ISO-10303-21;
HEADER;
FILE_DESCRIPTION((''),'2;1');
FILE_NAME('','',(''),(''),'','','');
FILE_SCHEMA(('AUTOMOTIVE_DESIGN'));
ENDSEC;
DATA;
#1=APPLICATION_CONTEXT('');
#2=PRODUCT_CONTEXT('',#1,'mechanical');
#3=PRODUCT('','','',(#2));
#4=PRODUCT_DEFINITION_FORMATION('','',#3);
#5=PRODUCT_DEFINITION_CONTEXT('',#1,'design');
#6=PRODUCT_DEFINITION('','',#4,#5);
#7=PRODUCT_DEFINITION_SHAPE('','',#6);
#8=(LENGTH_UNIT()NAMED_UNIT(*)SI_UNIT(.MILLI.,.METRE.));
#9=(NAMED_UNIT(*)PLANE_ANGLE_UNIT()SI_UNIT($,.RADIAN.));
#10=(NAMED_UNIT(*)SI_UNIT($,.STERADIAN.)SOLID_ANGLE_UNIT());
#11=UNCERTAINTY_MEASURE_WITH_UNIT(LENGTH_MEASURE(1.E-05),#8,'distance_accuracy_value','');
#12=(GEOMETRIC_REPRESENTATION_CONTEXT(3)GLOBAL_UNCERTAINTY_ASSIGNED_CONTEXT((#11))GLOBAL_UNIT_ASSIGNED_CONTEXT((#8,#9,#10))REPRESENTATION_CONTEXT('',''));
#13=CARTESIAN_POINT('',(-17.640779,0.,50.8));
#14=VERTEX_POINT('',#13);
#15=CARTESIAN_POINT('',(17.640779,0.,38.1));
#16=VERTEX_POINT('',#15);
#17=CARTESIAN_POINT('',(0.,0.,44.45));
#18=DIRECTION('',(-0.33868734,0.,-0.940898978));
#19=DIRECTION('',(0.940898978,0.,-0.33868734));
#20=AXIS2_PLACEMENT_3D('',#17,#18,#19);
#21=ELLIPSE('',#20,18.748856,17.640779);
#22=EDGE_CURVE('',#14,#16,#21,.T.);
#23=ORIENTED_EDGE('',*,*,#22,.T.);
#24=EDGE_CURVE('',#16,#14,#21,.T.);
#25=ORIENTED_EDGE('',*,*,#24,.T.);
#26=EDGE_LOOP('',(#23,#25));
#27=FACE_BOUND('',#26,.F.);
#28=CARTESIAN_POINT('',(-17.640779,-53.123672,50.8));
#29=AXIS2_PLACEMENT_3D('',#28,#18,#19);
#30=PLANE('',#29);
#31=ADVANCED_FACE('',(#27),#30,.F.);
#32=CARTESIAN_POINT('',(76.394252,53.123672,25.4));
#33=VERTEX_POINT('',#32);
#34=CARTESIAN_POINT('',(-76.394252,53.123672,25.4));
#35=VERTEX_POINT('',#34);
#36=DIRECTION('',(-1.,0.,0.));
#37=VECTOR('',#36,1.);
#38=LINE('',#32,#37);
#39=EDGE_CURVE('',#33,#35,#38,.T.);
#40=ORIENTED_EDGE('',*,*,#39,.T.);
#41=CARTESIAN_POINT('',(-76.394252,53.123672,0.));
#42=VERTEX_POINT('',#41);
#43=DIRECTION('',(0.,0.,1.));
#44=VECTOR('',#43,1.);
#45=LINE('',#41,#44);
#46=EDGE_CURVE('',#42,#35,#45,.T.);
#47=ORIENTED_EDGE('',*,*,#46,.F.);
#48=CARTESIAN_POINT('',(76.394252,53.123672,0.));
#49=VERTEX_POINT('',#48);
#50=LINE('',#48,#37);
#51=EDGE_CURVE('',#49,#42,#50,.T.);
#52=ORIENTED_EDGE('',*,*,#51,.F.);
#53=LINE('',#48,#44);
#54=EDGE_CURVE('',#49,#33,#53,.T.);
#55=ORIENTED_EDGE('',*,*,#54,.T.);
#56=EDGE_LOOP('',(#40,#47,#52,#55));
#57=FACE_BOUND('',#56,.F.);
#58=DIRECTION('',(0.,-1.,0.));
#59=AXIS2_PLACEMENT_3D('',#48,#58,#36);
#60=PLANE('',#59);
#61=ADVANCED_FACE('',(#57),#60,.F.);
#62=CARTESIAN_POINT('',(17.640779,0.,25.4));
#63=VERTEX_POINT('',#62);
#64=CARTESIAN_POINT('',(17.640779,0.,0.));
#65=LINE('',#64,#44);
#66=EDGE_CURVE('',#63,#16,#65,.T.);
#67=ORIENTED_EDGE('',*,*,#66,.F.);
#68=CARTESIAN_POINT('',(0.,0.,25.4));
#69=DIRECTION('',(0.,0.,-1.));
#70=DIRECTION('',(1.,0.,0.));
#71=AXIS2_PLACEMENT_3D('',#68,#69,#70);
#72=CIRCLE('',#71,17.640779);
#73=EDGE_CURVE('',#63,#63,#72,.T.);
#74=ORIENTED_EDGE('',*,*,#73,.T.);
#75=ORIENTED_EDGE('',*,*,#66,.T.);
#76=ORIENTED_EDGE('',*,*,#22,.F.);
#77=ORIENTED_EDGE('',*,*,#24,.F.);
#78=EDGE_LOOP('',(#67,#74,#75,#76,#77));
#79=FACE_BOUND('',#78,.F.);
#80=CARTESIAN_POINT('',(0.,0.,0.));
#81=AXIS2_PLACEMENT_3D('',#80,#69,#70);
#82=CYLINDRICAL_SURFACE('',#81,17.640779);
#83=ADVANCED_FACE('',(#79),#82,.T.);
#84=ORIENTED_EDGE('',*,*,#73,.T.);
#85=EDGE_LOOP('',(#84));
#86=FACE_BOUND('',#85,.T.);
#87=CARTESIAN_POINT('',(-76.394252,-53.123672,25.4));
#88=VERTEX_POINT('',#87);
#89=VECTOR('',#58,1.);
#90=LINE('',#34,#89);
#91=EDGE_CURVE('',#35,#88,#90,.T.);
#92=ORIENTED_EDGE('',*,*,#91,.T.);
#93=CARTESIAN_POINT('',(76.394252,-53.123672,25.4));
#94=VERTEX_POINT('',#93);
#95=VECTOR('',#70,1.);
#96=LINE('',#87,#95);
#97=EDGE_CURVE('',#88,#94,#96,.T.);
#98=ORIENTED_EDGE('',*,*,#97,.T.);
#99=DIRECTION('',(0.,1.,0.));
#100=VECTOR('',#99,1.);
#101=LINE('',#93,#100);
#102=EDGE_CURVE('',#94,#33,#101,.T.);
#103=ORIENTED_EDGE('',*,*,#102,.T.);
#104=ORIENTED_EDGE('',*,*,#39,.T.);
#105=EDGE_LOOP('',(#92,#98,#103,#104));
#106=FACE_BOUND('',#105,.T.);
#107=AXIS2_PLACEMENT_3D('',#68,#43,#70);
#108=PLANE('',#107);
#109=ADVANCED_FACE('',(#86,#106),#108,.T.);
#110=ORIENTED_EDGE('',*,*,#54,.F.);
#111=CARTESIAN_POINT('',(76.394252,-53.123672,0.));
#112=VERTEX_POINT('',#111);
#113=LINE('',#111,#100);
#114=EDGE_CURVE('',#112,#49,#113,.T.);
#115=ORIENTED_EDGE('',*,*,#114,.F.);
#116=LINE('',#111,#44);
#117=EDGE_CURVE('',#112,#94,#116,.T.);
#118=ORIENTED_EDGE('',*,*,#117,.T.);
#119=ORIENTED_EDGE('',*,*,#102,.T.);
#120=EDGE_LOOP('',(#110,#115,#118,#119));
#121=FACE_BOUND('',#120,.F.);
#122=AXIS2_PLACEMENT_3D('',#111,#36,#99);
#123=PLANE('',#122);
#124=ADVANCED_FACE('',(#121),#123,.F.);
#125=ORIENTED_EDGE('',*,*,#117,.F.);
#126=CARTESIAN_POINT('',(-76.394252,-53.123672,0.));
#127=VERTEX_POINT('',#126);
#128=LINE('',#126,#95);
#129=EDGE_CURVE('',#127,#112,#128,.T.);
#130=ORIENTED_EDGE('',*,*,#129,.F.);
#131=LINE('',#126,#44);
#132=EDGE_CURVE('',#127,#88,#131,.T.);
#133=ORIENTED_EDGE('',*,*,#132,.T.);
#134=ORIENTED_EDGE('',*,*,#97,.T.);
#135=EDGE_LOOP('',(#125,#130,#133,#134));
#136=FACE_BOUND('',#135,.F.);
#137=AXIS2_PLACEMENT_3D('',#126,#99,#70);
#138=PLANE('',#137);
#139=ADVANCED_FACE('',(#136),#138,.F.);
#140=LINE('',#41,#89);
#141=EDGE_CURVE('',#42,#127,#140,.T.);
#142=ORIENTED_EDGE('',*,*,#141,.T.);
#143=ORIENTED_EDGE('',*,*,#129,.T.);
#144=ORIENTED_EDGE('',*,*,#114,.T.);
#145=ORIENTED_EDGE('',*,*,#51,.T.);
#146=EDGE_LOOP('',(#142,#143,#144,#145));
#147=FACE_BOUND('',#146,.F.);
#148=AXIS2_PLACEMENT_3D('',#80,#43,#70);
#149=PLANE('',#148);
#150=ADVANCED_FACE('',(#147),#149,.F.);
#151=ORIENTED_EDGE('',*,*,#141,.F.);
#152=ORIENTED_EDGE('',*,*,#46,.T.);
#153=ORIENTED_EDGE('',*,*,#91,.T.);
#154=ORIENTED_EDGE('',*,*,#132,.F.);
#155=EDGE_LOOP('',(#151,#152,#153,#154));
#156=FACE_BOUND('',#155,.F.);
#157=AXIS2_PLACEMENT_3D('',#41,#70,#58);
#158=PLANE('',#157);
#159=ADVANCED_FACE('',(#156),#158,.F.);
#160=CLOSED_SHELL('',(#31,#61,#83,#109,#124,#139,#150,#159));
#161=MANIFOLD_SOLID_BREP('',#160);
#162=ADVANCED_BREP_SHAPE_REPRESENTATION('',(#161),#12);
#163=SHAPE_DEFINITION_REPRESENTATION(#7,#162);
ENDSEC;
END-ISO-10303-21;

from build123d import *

# Parameters (mm, degrees)
F2_DEPTH = 25.4
F1_R     = 17.640779
F3_DEPTH = 50.8
F5_DEPTH = 106.248343


with BuildPart() as f2:
    # F0 (on Top) → F2 (new body)
    with BuildSketch(Plane.XY):
        Polygon((-76.394252, 49.22979), (-76.394252, -53.123672), (76.394252, -53.123672), (76.394252, 53.123672), (-76.394252, 53.123672), align=None)
    extrude(amount=F2_DEPTH)

    # F1 (on Top) → F3 (join)
    with BuildSketch(Plane.XY):
        Circle(F1_R)
    extrude(amount=F3_DEPTH)

    # F4 (on face) → F5 (cut, through all)
    with BuildSketch(Plane.XZ.offset(53.123672)):
        Polygon((17.640779, 50.8), (-17.640779, 50.8), (17.640779, 38.1), align=None)
    extrude(amount=-F5_DEPTH, mode=Mode.SUBTRACT)


solid = f2.part
